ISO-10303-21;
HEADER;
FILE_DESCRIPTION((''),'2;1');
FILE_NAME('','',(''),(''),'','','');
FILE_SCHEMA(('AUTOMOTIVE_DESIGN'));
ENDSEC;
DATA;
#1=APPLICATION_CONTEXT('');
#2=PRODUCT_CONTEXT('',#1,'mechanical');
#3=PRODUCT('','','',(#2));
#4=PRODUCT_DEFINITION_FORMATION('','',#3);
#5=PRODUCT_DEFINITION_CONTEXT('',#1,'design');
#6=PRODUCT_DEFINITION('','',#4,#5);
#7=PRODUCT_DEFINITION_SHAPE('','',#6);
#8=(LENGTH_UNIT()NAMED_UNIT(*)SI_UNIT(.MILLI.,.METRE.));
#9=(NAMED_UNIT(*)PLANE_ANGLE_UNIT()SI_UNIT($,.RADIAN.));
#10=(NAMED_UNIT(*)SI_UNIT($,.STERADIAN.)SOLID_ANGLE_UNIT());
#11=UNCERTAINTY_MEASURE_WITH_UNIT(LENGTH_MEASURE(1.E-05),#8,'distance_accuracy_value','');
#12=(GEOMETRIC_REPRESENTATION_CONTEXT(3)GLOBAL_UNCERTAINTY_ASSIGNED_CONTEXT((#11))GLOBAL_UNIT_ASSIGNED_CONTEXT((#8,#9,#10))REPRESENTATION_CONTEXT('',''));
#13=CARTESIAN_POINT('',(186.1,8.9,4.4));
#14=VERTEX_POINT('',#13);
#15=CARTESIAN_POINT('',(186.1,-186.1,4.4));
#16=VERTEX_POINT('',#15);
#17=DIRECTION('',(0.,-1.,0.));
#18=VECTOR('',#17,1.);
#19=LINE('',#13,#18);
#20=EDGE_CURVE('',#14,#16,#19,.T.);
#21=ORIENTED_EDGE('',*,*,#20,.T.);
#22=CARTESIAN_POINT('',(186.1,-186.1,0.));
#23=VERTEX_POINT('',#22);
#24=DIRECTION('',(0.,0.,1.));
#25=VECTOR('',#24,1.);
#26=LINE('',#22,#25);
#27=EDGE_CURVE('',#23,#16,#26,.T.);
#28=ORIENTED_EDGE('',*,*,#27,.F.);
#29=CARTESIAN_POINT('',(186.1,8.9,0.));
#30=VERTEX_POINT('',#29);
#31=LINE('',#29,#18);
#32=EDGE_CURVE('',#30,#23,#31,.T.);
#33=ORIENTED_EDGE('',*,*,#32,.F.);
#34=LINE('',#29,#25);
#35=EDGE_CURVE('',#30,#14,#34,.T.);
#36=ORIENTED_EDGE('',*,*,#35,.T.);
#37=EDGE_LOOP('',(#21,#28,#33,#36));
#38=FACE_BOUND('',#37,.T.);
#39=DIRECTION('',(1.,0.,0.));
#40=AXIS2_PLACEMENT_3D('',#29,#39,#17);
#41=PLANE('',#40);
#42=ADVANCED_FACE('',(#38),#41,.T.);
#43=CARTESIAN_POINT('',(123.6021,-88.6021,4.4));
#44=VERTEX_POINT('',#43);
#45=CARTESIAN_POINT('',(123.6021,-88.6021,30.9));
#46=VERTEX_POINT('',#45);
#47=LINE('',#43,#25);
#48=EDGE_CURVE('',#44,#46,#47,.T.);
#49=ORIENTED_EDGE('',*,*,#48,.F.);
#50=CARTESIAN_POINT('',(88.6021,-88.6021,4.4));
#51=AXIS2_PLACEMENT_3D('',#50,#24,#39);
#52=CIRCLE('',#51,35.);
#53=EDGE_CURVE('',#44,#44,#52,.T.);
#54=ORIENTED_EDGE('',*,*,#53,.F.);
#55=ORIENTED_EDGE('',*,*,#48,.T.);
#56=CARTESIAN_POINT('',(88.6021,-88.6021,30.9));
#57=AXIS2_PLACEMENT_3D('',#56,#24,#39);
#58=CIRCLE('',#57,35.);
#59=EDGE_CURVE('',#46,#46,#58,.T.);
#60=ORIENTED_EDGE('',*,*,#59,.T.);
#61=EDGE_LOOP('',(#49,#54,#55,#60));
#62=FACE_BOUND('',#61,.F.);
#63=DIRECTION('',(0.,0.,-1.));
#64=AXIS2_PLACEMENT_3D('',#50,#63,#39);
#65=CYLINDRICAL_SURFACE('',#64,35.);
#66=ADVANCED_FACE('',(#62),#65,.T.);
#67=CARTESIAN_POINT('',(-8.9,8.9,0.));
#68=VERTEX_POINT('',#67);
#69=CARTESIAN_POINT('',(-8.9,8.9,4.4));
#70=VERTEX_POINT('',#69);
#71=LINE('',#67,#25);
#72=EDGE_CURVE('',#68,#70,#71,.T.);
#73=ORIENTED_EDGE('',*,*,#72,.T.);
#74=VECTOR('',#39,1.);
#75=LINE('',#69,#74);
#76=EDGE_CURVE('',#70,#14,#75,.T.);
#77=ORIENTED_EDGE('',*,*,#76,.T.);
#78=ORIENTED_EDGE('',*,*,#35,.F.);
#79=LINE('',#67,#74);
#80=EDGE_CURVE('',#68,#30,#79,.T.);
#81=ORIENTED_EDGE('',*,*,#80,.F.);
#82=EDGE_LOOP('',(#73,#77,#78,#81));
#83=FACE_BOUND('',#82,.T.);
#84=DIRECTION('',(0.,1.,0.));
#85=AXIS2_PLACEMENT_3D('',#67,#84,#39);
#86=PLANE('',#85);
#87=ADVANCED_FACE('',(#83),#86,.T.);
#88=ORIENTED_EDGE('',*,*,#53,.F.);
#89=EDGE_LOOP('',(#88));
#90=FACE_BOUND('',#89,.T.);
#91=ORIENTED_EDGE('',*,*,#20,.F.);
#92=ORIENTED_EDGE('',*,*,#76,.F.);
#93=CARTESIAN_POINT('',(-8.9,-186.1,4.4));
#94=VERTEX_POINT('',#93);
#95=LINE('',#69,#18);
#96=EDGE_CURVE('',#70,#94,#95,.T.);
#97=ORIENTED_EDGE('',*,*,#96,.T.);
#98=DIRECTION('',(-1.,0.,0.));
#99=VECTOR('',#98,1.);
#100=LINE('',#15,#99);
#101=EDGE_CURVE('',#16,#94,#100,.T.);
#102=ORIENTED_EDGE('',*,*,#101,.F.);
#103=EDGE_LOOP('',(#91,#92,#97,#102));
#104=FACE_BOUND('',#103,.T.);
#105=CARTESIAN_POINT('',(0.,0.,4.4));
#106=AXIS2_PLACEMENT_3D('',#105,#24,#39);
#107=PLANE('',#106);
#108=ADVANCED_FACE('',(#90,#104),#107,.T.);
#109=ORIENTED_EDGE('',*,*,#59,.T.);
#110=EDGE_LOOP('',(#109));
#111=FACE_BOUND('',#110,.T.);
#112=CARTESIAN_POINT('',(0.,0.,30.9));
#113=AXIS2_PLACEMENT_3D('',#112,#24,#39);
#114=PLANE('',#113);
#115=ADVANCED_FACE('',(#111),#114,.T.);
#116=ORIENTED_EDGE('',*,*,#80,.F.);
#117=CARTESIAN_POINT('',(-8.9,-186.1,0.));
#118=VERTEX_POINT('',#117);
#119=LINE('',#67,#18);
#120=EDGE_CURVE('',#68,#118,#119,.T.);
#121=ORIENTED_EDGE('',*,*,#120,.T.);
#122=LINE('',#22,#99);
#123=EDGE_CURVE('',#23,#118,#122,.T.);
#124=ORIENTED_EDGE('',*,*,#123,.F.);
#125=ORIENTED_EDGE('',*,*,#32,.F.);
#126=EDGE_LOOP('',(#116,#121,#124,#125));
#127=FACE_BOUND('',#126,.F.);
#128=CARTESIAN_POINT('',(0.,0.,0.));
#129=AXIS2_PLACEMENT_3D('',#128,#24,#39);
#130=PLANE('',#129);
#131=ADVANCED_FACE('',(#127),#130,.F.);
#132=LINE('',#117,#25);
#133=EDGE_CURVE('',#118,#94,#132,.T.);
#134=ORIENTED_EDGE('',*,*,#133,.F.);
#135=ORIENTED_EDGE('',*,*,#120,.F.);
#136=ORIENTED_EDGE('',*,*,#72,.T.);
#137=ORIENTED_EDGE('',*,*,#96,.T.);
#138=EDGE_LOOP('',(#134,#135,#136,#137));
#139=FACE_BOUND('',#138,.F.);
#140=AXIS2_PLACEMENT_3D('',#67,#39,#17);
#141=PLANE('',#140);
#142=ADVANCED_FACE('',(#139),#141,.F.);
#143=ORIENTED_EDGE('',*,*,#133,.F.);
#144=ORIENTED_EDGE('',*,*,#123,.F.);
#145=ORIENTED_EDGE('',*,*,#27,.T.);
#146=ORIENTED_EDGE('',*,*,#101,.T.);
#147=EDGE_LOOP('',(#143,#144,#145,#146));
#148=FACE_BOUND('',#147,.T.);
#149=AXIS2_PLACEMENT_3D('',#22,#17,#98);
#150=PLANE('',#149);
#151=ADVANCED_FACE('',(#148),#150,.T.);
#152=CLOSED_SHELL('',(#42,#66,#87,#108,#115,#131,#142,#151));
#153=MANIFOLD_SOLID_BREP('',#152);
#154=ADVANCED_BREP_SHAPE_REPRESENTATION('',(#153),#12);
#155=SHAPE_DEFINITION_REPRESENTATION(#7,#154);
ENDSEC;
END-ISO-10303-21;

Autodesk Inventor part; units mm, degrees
ref_plane "YZ Plane" through (0, 0, 0) normal (1, 0, 0) x (0, 1, 0)
ref_plane "XZ Plane" through (0, 0, 0) normal (0, 1, 0) x (-1, 0, 0)
ref_plane "XY Plane" through (0, 0, 0) normal (0, 0, 1) x (1, 0, 0)
sketch "Boceto1" plane through (0, 0, 0) normal (0, 0, 1) x (1, 0, 0)
  line L0 (186.1, 8.9) -> (186.1, -186.1) projected
  line L1 (-8.9, 8.9) -> (-8.9, -186.1) projected
  line L2 (186.1, -186.1) -> (-8.9, -186.1)
  line L3 (-8.9, 8.9) -> (186.1, 8.9)
  point P0 (0, 0)
extrude "Extrusión1" add sketch "Boceto1" along normal blind 4.4
sketch "Boceto2" plane through (0, 0, 4.4) normal (0, 0, 1) x (1, 0, 0)
  line L0 (186.1, -186.1) -> (186.1, 8.9) projected
  line L1 (-8.9, -186.1) -> (186.1, -186.1) projected
  line L2 (-8.9, 8.9) -> (-8.9, -186.1) projected
  line L3 (186.1, 8.9) -> (-8.9, 8.9) projected
  circle A0 centre (88.6021, -88.6021) radius 35
  point P0 (0, 0)
  dimension "d2" = 70
  dimension "d3" = 97.4979
  dimension "d4" = 97.4979
extrude "Extrusión2" add sketch "Boceto2" along normal blind 26.5 contours A0
properties part number "Acrilico_Top"
